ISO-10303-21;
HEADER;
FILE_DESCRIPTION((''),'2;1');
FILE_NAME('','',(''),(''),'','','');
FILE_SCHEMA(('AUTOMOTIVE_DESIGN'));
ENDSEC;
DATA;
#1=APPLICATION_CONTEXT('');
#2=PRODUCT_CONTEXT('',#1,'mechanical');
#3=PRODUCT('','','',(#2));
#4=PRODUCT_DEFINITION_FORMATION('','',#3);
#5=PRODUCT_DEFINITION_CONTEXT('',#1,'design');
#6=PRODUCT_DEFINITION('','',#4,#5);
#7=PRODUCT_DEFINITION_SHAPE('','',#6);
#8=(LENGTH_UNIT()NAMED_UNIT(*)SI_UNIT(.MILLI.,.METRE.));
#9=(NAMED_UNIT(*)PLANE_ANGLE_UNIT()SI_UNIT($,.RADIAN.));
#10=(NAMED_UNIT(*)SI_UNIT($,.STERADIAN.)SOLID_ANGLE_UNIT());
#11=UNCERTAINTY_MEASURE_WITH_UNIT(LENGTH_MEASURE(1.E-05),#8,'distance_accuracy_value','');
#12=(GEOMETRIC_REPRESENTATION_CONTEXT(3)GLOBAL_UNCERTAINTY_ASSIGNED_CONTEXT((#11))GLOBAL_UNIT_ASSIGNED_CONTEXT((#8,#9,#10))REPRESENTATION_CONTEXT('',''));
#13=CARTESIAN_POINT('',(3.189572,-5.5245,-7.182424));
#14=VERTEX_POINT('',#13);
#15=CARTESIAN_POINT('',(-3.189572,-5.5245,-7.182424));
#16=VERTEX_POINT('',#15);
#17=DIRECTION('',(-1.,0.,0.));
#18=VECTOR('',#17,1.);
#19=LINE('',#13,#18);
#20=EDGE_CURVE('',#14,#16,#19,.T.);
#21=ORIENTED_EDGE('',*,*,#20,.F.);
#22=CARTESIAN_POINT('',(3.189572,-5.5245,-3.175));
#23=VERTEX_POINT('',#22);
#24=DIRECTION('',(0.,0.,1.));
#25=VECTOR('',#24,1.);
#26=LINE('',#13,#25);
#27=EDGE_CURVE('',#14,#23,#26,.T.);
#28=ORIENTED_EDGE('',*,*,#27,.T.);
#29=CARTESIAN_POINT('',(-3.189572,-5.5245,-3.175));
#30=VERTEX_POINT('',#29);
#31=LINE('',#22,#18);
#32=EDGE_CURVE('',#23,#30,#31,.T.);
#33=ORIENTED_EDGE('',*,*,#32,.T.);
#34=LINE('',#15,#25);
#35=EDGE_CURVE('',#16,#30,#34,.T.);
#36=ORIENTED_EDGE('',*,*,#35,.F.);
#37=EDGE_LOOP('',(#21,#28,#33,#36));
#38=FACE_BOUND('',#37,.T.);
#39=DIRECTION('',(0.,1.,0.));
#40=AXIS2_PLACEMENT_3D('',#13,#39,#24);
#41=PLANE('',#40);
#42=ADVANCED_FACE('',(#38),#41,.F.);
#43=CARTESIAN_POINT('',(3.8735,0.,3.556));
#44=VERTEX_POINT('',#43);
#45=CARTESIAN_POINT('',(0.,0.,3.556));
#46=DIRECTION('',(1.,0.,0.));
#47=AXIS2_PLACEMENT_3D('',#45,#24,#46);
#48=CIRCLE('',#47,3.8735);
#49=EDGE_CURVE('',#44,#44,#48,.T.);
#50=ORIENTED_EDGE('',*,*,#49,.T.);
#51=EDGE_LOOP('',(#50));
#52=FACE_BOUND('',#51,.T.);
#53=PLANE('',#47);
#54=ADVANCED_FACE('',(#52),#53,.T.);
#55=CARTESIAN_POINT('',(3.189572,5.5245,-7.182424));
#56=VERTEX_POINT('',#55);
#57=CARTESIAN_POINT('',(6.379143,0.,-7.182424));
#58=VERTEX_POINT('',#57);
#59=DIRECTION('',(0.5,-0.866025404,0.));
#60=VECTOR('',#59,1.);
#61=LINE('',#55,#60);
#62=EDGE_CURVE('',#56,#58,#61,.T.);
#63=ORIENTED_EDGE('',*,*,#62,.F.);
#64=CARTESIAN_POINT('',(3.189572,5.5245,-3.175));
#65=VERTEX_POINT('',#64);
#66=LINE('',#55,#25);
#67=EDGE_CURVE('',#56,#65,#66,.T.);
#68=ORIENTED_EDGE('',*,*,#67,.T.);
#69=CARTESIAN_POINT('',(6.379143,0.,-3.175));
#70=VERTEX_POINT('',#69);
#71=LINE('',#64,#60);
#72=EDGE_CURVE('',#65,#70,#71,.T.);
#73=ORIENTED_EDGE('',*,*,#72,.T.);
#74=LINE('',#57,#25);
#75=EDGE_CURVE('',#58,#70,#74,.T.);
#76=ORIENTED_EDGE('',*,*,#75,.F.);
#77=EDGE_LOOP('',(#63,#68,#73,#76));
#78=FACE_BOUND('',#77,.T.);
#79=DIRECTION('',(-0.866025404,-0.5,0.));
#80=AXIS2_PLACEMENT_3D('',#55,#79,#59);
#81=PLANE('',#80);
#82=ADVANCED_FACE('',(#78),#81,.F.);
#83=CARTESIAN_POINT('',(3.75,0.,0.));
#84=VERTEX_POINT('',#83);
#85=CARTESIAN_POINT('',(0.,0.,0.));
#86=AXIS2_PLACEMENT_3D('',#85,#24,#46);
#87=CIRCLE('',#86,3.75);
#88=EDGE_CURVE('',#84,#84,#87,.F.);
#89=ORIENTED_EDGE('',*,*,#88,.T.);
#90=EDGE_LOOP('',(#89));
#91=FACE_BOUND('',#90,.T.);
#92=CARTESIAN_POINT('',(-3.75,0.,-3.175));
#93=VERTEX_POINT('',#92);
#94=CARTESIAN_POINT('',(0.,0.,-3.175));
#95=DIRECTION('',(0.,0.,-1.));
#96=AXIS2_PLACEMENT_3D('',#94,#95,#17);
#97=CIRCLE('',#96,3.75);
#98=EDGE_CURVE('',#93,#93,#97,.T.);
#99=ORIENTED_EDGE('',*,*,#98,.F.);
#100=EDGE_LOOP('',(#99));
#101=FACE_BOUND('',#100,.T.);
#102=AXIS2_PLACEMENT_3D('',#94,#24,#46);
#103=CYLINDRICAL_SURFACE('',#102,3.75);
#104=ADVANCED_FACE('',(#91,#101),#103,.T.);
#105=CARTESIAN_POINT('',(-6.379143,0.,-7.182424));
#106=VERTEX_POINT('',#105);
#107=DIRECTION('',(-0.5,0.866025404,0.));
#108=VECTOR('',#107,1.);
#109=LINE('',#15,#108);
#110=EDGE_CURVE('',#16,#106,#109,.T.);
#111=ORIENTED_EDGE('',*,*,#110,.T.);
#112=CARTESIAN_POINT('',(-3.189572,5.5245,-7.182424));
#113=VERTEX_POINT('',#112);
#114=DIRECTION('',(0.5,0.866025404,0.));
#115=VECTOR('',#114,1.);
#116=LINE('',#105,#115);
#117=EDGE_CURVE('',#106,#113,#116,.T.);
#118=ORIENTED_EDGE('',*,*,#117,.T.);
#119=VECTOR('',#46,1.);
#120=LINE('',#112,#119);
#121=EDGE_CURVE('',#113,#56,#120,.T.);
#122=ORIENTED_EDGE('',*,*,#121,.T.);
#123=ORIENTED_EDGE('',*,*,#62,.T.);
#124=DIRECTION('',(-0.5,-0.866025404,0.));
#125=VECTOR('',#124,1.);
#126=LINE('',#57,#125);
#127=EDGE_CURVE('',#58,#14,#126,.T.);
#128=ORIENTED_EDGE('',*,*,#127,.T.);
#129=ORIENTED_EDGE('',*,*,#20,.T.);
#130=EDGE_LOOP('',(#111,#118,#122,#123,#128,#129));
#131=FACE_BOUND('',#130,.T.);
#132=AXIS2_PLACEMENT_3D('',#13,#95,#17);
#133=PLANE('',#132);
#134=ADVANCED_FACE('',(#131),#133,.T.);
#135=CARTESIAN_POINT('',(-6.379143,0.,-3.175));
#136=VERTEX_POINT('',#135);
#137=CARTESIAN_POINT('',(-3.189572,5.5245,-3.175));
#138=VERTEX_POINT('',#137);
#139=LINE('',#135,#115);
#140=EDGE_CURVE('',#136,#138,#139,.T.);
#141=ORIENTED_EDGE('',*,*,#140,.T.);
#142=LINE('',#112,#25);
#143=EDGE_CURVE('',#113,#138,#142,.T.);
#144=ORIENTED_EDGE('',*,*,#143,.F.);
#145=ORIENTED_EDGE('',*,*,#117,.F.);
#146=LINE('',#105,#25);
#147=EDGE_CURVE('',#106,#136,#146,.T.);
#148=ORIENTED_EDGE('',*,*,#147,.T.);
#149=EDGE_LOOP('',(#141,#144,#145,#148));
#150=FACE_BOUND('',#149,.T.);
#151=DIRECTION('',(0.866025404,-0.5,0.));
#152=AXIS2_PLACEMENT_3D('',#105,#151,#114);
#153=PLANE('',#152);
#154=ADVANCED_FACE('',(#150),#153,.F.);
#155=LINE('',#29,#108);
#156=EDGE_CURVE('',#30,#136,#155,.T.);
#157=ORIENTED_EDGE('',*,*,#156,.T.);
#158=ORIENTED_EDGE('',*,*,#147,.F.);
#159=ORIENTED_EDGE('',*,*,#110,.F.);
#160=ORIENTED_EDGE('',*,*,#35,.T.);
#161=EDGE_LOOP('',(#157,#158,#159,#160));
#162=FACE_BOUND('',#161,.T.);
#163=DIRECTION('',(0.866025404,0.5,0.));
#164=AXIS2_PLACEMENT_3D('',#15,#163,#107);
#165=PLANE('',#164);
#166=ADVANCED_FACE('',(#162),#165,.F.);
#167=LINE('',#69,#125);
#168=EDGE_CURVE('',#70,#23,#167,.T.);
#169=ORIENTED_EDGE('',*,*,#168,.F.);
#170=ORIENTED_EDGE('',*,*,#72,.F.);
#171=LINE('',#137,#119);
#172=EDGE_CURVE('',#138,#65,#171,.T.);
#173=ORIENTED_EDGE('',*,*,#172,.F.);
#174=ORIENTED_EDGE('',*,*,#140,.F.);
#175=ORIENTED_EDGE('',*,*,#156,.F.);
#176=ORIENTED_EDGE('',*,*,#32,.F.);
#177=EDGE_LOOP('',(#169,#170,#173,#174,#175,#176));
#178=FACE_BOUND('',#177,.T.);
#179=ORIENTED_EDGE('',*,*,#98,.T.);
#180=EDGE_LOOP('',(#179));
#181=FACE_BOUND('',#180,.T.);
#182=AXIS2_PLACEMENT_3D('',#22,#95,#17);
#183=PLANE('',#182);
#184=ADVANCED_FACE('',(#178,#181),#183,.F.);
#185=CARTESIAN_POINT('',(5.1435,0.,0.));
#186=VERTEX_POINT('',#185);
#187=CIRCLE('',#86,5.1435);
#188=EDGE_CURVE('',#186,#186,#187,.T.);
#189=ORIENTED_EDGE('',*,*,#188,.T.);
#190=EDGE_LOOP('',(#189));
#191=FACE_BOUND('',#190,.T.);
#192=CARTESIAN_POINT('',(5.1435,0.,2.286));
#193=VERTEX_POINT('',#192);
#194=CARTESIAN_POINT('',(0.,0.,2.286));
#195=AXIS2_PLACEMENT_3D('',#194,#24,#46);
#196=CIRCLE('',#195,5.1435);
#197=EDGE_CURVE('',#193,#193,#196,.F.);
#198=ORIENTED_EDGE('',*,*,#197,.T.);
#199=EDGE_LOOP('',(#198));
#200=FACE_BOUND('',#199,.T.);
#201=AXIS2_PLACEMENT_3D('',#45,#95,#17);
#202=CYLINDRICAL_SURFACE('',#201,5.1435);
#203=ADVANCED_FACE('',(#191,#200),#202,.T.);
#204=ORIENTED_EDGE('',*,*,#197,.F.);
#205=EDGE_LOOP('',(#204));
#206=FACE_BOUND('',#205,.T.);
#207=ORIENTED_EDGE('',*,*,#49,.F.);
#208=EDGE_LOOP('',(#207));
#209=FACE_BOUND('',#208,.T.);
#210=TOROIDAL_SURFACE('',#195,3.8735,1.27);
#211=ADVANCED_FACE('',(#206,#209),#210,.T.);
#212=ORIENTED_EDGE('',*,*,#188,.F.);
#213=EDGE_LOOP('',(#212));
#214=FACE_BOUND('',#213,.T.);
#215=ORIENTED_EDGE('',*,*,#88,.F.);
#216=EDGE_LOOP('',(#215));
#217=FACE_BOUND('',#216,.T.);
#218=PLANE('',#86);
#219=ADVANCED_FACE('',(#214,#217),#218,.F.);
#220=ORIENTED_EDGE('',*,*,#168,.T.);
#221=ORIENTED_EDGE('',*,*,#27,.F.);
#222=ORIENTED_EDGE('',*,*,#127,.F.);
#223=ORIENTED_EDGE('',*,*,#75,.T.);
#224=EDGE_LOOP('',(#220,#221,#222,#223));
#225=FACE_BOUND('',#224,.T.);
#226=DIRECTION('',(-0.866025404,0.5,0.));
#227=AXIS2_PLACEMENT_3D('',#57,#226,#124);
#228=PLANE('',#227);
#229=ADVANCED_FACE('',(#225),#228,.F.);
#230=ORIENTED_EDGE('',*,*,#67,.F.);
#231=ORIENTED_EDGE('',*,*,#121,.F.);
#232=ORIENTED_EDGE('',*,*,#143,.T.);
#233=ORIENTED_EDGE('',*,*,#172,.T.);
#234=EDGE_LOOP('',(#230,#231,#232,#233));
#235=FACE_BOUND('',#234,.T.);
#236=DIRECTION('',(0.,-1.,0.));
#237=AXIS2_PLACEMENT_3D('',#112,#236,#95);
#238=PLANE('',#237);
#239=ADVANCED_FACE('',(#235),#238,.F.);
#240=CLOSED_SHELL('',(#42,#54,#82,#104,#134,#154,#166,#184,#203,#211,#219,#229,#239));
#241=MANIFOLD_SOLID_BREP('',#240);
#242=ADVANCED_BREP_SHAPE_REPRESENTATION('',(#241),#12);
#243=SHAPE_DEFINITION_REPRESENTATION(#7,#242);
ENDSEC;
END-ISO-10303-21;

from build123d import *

# Parameters (mm, degrees)
SKETCH1_R      = 5.1435
EXTRUDE1_DEPTH = 3.556
SKETCH2_R      = 3.75
EXTRUDE2_DEPTH = 3.175
EXTRUDE3_DEPTH = 4.007423572
FILLET1_R      = 1.27


with BuildPart() as part:
    # Sketch1 → Extrude1 (new body)
    with BuildSketch(Plane.XY):
        Circle(SKETCH1_R)
    extrude(amount=EXTRUDE1_DEPTH)

    # Sketch2 → Extrude2 (add)
    with BuildSketch(Plane(origin=(0, 0, 0), x_dir=(-1, 0, 0), z_dir=(0, 0, -1))):
        with Locations(Location((0, 0, 0), (0, 0, 180))):
            Circle(SKETCH2_R)
    extrude(amount=EXTRUDE2_DEPTH)

    # Sketch3 → Extrude3 (add)
    with BuildSketch(Plane(origin=(0, 0, -3.175), x_dir=(-1, 0, 0), z_dir=(0, 0, -1))):
        Polygon((-3.189571562, -5.5245), (3.189571562, -5.5245), (6.379143124, 0), (3.189571562, 5.5245), (-3.189571562, 5.5245), (-6.379143124, 0), align=None)
    extrude(amount=EXTRUDE3_DEPTH)

    # Fillet1
    fillet1_edges = [part.edges().sort_by_distance(p)[0] for p in [
        (-5.1435, 0, 3.556),
    ]]
    fillet(fillet1_edges, radius=FILLET1_R)


solid = part.part
